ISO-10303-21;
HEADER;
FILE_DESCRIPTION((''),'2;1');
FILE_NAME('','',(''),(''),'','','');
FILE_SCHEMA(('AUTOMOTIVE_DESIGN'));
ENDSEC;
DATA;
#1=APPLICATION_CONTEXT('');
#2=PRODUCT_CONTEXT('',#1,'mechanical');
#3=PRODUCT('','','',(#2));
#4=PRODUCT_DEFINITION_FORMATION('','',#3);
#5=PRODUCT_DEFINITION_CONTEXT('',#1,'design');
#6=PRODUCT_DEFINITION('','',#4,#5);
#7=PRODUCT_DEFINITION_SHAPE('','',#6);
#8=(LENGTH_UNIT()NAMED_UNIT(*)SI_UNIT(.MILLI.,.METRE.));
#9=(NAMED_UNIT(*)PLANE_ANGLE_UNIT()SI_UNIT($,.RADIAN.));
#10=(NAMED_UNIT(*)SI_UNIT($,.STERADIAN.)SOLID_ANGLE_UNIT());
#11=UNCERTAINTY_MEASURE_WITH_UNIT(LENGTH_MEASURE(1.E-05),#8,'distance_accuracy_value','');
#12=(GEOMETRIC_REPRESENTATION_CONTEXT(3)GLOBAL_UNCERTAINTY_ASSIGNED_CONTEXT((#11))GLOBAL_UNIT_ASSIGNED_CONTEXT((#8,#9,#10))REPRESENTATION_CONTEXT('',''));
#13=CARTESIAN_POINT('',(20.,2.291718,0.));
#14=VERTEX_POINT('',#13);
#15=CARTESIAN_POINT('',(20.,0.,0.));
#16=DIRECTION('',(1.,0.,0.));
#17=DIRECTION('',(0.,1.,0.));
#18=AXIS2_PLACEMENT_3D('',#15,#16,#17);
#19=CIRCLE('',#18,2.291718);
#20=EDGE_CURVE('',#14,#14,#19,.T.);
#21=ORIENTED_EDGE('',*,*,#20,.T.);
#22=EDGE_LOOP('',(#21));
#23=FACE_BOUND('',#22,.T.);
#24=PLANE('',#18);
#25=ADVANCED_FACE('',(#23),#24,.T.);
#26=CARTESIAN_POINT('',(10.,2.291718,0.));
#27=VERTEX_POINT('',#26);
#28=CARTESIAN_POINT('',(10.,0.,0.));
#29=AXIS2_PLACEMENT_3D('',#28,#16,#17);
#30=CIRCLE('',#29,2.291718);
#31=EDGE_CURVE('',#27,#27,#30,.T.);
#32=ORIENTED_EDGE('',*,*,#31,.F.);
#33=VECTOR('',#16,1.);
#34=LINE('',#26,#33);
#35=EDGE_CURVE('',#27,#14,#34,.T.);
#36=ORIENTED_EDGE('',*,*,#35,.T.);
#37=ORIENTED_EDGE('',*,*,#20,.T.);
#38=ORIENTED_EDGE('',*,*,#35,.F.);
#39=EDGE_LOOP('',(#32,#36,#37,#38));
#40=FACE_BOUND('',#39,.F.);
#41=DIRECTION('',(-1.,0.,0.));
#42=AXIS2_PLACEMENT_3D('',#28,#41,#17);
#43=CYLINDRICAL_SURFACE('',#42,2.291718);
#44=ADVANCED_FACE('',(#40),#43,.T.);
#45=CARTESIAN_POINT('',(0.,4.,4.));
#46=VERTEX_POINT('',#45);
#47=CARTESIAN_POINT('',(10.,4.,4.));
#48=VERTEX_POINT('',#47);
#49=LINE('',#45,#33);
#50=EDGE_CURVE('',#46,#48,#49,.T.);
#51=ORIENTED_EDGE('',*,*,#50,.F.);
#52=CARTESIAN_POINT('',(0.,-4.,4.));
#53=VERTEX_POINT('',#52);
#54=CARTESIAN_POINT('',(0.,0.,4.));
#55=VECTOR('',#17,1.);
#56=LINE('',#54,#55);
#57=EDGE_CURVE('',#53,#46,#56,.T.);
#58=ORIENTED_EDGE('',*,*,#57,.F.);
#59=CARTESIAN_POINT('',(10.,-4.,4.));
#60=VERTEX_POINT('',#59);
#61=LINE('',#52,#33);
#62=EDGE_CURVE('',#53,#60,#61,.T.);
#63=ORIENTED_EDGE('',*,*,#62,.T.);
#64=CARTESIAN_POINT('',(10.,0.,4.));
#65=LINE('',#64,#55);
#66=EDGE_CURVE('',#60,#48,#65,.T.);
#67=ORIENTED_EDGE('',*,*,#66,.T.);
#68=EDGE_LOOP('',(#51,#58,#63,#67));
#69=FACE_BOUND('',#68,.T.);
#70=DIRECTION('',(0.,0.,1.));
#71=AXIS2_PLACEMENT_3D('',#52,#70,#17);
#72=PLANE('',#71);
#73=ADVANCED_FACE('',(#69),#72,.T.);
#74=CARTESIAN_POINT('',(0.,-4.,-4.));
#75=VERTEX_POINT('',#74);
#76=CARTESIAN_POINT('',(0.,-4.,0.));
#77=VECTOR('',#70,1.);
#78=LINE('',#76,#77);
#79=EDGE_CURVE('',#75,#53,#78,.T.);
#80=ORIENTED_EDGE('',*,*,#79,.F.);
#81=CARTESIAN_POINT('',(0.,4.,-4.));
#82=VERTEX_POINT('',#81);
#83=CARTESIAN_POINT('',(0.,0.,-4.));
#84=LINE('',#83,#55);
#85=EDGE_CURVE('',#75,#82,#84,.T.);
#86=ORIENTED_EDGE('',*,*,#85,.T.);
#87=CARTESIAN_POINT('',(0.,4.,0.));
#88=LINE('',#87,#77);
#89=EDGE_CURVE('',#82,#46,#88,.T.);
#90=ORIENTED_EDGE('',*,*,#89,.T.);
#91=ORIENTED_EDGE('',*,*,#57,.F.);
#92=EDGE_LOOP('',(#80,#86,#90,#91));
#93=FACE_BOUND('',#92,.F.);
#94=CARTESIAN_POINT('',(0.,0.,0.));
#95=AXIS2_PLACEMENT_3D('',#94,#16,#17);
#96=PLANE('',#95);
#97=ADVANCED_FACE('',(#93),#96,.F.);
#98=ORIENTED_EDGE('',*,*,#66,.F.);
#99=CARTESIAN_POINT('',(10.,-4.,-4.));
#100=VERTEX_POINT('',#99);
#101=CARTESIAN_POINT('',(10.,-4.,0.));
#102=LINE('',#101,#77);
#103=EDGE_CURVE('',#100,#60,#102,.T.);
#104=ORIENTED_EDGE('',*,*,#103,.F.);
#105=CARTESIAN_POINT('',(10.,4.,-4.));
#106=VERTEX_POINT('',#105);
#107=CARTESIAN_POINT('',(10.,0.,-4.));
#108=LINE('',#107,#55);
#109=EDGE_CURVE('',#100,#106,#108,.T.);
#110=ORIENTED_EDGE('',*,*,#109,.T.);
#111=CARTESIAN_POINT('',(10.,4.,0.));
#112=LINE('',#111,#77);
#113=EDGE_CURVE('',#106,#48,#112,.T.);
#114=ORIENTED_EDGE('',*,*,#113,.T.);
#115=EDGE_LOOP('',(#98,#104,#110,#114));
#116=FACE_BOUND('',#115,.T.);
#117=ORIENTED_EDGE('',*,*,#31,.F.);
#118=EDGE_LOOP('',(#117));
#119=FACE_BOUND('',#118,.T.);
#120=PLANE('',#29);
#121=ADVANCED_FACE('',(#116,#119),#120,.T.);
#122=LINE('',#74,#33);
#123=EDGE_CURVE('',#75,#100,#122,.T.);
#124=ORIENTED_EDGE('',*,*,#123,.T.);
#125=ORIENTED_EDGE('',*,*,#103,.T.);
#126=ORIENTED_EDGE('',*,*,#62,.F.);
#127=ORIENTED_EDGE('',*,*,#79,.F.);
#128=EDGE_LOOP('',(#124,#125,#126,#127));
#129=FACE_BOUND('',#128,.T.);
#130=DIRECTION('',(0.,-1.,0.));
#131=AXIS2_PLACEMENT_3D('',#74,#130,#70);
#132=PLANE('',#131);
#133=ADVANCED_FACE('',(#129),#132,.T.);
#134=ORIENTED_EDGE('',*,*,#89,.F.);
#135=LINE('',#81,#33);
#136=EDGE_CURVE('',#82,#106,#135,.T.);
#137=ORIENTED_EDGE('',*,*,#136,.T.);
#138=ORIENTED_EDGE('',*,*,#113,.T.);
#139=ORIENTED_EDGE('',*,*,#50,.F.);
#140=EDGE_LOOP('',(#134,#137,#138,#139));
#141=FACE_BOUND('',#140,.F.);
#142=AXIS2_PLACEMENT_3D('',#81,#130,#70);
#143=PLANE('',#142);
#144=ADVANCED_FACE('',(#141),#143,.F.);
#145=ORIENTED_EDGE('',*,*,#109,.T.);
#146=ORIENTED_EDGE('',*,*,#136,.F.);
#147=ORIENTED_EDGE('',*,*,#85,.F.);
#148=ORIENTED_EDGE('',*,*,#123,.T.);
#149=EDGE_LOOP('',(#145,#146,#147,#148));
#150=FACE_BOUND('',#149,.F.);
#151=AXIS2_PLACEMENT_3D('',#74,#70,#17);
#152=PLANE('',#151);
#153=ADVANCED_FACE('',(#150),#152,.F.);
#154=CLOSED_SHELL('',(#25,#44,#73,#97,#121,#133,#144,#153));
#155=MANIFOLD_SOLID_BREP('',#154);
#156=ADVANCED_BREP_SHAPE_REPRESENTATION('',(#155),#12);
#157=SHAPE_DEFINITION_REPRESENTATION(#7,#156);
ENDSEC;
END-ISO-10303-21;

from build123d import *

# Parameters (mm, degrees)
SKETCH_W     = 8
SKETCH_H     = 8
PAD_DEPTH    = 10
SKETCH001_R  = 2.291718
PAD001_DEPTH = 10


with BuildPart() as part:
    # Sketch → Pad (new body)
    with BuildSketch(Plane.YZ):
        Rectangle(SKETCH_W, SKETCH_H)
    extrude(amount=PAD_DEPTH)

    # Sketch001 (on Face6 of Pad) → Pad001 (join)
    with BuildSketch(Plane.YZ.offset(10)):
        Circle(SKETCH001_R)
    extrude(amount=PAD001_DEPTH)


solid = part.part
